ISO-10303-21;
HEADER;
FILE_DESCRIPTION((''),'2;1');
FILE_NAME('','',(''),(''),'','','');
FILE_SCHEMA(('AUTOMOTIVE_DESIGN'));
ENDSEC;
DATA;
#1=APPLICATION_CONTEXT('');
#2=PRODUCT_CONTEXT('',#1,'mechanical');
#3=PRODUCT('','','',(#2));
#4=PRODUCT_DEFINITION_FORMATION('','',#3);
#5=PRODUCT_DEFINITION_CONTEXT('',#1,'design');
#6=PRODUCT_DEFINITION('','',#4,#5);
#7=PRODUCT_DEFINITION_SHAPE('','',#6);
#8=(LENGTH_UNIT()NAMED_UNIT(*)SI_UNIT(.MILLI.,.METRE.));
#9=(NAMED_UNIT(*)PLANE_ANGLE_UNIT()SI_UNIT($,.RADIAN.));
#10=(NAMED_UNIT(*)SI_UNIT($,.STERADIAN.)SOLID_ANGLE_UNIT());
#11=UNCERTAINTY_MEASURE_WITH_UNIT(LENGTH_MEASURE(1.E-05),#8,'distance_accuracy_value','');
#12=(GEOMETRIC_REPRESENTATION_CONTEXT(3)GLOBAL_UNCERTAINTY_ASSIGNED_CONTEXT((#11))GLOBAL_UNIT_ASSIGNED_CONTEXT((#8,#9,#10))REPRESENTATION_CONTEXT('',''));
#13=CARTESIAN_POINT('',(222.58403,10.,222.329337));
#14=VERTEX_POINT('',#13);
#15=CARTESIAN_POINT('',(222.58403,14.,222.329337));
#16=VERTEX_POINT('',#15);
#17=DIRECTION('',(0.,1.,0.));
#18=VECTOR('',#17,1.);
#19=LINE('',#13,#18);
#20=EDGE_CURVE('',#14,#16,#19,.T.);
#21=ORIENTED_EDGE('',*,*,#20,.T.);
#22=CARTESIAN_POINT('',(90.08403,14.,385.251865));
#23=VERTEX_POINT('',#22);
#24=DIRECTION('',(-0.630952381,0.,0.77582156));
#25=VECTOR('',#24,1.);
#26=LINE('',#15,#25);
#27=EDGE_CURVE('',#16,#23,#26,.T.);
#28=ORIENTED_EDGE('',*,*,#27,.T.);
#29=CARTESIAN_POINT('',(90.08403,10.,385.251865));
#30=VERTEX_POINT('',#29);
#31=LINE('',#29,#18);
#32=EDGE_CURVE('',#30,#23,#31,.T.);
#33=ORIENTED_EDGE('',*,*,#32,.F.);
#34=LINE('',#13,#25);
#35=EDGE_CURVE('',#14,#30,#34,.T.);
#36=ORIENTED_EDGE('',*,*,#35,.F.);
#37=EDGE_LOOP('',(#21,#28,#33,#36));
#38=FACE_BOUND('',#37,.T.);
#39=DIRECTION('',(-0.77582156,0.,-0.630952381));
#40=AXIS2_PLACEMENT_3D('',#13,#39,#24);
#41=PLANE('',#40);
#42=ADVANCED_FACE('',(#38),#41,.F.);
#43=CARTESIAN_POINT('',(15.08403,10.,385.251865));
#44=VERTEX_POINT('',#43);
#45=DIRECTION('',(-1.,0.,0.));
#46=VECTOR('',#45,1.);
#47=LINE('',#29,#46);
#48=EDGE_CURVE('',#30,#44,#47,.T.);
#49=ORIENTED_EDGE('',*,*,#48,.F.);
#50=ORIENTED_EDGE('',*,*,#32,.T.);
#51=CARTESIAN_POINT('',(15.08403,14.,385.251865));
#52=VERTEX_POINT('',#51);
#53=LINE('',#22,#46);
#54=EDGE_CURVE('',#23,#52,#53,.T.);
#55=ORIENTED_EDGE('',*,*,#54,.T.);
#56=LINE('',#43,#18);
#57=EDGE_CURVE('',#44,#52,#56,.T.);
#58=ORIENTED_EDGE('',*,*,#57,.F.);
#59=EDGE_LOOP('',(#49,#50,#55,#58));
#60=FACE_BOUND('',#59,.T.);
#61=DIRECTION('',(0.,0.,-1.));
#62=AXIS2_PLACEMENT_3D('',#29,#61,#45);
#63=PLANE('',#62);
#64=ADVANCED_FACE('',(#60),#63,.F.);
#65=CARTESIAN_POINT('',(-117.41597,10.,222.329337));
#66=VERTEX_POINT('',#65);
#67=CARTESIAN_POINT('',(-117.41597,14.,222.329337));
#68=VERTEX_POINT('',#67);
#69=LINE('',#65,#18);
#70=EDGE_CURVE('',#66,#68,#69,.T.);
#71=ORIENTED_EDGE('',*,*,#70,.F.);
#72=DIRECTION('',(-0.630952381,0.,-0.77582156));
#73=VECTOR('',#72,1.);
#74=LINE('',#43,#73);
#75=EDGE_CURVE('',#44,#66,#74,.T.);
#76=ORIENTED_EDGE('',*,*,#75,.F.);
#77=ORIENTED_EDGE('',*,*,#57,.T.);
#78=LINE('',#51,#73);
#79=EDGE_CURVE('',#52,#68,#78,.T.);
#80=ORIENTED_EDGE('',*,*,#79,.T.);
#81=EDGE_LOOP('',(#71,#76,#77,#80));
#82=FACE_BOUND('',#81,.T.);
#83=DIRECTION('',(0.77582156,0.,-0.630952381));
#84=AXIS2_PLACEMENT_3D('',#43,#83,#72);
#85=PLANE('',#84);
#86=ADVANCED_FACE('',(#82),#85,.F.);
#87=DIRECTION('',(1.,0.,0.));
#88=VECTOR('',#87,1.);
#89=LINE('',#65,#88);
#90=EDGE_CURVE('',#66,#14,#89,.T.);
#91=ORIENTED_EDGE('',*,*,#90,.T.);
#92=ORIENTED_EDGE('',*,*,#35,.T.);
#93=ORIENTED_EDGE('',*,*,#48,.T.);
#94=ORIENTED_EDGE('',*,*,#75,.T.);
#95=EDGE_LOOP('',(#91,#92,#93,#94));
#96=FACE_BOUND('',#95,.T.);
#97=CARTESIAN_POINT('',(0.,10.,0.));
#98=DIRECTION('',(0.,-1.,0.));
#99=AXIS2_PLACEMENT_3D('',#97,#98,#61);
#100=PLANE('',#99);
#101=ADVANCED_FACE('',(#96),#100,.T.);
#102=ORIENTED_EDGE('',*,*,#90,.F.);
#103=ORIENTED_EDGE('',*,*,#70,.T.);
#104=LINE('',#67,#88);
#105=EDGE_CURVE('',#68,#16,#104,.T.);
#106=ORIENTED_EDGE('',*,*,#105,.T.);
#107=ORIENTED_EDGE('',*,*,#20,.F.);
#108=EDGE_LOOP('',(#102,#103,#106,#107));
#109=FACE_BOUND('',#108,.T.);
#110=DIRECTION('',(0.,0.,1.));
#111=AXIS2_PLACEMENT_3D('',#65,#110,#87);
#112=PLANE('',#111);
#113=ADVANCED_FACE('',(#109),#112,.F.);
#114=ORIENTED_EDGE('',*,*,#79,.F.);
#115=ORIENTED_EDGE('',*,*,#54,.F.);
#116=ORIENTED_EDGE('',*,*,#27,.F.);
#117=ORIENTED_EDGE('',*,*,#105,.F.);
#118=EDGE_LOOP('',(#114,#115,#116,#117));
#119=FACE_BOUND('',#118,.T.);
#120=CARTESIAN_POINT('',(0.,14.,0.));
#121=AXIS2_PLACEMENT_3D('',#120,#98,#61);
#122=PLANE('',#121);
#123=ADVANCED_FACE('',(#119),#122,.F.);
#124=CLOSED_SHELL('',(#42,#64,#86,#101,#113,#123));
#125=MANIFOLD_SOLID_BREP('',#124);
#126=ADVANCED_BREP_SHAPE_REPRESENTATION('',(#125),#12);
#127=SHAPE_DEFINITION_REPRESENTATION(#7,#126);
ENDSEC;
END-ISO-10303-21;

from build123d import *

# Parameters (mm, degrees)
EXTRUDE_1_DEPTH = 4


with BuildPart() as part:
    # Sketch 1 → Бобышка-Вытянуть1 (new body)
    with BuildSketch(Plane(origin=(-117.415970164, 10, 222.329336945), x_dir=(1, 0, 0), z_dir=(0, -1, 0))):
        Polygon((0, 0), (340, 0), (207.5, 162.922527601), (132.5, 162.922527601), align=None)
    extrude(amount=-EXTRUDE_1_DEPTH)


solid = part.part
